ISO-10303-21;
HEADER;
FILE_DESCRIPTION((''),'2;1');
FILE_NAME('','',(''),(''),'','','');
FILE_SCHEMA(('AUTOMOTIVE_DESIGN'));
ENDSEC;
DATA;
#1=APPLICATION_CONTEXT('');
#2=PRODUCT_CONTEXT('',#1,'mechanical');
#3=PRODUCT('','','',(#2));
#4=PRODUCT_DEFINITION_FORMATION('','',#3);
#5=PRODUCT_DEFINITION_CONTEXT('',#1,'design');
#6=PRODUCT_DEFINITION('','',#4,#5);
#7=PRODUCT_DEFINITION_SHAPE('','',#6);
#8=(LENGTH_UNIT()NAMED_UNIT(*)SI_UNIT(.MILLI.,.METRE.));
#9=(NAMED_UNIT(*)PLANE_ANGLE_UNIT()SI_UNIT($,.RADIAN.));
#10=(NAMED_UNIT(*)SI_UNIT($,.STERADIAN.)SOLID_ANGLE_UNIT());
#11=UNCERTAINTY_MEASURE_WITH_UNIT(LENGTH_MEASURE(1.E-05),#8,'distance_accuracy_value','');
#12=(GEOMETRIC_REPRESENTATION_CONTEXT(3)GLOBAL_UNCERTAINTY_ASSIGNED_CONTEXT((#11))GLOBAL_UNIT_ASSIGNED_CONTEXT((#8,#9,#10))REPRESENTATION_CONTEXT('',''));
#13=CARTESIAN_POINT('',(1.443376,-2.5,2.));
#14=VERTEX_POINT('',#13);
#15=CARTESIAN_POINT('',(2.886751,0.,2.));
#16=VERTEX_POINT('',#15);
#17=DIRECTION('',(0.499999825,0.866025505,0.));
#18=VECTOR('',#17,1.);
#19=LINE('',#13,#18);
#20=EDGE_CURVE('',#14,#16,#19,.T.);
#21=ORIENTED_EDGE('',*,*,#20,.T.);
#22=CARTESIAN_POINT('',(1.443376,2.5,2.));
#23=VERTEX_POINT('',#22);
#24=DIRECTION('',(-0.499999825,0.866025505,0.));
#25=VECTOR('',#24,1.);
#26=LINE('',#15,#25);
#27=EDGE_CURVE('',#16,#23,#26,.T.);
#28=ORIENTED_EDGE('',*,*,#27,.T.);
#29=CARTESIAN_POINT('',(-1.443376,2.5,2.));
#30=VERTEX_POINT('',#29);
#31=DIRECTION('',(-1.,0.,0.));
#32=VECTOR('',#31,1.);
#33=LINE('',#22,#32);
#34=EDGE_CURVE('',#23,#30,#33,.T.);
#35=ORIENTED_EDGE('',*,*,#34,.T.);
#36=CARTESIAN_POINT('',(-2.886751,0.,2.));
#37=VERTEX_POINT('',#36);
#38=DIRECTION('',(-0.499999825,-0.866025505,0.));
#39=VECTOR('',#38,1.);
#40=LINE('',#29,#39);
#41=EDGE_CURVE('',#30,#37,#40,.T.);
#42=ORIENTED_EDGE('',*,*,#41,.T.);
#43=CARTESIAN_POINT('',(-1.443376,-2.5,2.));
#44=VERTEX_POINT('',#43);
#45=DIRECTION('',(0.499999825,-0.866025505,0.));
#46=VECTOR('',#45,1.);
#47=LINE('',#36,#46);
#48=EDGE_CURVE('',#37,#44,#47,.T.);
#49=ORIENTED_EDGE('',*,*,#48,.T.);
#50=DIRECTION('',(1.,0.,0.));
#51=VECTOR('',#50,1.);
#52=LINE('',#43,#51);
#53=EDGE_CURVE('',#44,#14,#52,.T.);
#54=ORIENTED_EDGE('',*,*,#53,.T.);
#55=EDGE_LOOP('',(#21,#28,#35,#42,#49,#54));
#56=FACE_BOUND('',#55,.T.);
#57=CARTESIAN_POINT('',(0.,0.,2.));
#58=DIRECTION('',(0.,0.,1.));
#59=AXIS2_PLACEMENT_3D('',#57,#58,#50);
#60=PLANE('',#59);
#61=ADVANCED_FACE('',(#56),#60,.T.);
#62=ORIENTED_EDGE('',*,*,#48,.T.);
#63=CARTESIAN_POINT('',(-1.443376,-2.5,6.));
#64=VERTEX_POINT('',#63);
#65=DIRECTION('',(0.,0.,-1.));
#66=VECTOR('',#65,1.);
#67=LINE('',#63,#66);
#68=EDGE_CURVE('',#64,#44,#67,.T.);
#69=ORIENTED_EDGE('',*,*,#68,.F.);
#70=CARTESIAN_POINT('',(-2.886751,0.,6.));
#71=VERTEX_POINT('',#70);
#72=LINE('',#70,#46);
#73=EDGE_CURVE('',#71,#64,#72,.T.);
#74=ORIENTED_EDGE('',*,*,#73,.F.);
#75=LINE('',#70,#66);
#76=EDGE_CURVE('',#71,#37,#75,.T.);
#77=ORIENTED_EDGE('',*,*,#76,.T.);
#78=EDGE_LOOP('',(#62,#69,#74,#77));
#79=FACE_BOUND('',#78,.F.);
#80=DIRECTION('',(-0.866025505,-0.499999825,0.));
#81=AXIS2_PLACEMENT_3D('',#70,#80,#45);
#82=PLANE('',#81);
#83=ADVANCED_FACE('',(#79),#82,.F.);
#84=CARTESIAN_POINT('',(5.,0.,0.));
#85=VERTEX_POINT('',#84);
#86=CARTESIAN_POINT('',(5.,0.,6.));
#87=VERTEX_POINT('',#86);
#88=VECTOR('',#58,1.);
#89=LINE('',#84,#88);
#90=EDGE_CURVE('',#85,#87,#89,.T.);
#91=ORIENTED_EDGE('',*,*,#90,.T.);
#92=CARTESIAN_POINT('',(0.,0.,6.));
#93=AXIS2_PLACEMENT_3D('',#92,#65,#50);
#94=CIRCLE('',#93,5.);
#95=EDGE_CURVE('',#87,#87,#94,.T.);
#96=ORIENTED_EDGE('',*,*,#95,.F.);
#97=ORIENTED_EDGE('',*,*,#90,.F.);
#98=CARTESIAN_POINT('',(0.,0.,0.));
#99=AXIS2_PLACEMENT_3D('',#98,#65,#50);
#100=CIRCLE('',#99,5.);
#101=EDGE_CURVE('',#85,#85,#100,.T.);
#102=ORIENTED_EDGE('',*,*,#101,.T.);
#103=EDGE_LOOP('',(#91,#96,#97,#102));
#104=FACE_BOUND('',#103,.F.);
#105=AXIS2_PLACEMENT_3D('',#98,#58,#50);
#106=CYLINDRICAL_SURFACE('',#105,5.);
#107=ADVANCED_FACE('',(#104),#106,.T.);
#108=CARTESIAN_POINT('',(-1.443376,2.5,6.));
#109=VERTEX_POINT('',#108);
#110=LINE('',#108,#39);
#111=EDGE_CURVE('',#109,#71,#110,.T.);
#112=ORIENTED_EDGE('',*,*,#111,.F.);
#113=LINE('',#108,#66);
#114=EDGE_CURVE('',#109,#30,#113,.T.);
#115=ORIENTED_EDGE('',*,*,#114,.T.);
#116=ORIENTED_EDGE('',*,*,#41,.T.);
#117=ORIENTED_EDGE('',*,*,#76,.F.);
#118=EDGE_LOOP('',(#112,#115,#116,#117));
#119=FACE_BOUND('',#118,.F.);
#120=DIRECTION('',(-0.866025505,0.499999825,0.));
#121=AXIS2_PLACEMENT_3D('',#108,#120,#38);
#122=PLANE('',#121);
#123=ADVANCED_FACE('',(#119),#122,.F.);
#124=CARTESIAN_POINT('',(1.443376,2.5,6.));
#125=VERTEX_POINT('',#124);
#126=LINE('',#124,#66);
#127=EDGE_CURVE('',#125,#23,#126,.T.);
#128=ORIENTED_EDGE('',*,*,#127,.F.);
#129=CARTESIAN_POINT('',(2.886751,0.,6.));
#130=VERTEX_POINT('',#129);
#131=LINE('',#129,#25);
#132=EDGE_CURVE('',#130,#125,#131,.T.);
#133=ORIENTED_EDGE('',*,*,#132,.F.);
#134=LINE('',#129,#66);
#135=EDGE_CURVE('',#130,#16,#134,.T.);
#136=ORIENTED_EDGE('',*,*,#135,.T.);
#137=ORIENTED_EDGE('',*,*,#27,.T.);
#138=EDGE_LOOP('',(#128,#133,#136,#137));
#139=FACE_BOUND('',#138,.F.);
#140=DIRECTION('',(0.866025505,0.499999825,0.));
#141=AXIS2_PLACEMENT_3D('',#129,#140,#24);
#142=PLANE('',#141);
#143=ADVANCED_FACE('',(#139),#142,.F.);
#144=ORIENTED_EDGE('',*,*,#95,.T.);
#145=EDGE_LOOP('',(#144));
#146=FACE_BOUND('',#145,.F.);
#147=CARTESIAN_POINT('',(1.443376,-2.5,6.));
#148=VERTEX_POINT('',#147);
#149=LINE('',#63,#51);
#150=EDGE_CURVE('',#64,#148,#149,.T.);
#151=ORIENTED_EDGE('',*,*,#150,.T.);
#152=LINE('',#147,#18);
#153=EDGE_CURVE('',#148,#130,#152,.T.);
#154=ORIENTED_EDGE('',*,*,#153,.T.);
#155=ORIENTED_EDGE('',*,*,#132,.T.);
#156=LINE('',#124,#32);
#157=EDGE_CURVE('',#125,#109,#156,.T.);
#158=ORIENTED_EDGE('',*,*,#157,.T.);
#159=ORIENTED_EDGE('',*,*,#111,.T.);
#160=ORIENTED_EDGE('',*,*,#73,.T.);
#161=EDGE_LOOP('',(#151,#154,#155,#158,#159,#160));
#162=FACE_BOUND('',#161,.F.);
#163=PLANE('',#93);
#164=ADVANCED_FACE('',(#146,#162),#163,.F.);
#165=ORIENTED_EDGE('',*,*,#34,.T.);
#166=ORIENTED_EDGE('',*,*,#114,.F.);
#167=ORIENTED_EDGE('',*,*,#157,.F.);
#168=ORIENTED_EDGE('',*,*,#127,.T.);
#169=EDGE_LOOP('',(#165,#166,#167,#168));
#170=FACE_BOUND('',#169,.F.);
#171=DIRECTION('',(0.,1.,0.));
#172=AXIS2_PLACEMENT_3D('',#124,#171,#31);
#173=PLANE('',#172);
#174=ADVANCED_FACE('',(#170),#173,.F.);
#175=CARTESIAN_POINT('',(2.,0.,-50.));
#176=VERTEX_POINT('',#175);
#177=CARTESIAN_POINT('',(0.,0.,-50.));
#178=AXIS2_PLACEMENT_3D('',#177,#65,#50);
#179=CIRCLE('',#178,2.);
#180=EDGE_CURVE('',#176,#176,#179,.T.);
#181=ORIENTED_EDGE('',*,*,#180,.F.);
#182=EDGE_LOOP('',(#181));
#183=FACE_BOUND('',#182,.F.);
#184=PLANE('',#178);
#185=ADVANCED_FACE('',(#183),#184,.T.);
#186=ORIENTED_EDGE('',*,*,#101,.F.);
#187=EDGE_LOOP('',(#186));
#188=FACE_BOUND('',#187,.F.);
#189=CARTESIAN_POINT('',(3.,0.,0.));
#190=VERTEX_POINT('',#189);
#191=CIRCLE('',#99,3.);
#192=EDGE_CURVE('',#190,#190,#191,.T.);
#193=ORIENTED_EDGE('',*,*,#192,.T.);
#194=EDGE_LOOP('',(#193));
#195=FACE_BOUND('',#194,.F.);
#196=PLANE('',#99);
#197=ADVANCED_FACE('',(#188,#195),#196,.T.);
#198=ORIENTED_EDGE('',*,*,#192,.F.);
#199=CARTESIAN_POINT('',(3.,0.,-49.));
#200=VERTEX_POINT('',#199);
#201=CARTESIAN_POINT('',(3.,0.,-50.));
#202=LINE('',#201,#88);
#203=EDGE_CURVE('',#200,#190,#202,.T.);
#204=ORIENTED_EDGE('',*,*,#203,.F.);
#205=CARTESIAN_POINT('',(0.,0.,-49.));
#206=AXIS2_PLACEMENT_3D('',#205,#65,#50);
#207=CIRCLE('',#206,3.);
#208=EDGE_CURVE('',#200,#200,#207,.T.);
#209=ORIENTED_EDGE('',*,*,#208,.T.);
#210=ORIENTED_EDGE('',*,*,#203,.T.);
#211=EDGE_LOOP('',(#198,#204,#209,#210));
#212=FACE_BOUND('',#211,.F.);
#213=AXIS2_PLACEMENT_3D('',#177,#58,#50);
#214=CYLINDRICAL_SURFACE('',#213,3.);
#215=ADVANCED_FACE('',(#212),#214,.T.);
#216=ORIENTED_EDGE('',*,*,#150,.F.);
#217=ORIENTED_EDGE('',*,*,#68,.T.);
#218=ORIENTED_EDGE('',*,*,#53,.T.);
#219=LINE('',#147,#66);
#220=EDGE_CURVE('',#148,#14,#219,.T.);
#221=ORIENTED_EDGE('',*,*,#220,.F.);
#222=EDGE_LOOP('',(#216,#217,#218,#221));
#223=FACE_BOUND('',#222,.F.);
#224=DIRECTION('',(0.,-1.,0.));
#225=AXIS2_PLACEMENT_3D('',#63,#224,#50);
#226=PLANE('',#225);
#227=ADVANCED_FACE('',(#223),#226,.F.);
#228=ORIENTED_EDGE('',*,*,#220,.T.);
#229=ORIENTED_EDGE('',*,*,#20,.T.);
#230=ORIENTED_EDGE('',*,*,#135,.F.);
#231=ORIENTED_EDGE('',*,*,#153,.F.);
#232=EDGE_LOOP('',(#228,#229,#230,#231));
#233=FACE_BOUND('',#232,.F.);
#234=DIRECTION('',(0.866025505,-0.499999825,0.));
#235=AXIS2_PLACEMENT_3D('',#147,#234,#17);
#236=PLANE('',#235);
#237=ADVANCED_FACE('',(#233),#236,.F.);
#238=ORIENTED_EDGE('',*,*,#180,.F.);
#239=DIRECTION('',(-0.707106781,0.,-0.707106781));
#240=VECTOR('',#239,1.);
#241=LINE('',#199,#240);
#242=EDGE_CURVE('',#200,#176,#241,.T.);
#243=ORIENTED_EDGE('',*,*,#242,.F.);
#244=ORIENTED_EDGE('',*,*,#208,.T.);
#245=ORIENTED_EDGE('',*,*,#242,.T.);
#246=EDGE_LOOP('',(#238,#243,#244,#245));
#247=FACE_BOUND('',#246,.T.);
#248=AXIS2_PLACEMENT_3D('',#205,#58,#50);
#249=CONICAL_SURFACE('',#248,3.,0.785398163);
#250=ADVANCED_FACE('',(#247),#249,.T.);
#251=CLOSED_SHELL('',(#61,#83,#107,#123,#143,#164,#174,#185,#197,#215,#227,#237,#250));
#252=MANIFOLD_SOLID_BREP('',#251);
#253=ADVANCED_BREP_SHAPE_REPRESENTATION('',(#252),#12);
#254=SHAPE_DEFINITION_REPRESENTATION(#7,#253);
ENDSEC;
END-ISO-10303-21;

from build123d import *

# Parameters (mm, degrees)
F3_DEPTH = 4
F4_SIZE  = 1


with BuildPart() as f1:
    # F0 (on Front) → F1 (revolve)
    with BuildSketch(Plane.XZ):
        Polygon((5, 6), (0, 6), (0, -50), (3, -50), (3, 0), (5, 0), align=None)
    revolve(axis=Axis((0, 0, -50.553678), (0, 0, -1)))

    # F2 (on face) → F3 (cut)
    with BuildSketch(Plane.XY.offset(6)):
        Polygon((1.443376, 2.5), (-1.443376, 2.5), (-2.886751, 0), (-1.443376, -2.5), (1.443376, -2.5), (2.886751, 0), align=None)
    extrude(amount=-F3_DEPTH, mode=Mode.SUBTRACT)

    # F4
    f4_edges = [f1.edges().sort_by_distance(p)[0] for p in [
        (-3, 0, -50),
    ]]
    chamfer(f4_edges, length=F4_SIZE)


solid = f1.part
